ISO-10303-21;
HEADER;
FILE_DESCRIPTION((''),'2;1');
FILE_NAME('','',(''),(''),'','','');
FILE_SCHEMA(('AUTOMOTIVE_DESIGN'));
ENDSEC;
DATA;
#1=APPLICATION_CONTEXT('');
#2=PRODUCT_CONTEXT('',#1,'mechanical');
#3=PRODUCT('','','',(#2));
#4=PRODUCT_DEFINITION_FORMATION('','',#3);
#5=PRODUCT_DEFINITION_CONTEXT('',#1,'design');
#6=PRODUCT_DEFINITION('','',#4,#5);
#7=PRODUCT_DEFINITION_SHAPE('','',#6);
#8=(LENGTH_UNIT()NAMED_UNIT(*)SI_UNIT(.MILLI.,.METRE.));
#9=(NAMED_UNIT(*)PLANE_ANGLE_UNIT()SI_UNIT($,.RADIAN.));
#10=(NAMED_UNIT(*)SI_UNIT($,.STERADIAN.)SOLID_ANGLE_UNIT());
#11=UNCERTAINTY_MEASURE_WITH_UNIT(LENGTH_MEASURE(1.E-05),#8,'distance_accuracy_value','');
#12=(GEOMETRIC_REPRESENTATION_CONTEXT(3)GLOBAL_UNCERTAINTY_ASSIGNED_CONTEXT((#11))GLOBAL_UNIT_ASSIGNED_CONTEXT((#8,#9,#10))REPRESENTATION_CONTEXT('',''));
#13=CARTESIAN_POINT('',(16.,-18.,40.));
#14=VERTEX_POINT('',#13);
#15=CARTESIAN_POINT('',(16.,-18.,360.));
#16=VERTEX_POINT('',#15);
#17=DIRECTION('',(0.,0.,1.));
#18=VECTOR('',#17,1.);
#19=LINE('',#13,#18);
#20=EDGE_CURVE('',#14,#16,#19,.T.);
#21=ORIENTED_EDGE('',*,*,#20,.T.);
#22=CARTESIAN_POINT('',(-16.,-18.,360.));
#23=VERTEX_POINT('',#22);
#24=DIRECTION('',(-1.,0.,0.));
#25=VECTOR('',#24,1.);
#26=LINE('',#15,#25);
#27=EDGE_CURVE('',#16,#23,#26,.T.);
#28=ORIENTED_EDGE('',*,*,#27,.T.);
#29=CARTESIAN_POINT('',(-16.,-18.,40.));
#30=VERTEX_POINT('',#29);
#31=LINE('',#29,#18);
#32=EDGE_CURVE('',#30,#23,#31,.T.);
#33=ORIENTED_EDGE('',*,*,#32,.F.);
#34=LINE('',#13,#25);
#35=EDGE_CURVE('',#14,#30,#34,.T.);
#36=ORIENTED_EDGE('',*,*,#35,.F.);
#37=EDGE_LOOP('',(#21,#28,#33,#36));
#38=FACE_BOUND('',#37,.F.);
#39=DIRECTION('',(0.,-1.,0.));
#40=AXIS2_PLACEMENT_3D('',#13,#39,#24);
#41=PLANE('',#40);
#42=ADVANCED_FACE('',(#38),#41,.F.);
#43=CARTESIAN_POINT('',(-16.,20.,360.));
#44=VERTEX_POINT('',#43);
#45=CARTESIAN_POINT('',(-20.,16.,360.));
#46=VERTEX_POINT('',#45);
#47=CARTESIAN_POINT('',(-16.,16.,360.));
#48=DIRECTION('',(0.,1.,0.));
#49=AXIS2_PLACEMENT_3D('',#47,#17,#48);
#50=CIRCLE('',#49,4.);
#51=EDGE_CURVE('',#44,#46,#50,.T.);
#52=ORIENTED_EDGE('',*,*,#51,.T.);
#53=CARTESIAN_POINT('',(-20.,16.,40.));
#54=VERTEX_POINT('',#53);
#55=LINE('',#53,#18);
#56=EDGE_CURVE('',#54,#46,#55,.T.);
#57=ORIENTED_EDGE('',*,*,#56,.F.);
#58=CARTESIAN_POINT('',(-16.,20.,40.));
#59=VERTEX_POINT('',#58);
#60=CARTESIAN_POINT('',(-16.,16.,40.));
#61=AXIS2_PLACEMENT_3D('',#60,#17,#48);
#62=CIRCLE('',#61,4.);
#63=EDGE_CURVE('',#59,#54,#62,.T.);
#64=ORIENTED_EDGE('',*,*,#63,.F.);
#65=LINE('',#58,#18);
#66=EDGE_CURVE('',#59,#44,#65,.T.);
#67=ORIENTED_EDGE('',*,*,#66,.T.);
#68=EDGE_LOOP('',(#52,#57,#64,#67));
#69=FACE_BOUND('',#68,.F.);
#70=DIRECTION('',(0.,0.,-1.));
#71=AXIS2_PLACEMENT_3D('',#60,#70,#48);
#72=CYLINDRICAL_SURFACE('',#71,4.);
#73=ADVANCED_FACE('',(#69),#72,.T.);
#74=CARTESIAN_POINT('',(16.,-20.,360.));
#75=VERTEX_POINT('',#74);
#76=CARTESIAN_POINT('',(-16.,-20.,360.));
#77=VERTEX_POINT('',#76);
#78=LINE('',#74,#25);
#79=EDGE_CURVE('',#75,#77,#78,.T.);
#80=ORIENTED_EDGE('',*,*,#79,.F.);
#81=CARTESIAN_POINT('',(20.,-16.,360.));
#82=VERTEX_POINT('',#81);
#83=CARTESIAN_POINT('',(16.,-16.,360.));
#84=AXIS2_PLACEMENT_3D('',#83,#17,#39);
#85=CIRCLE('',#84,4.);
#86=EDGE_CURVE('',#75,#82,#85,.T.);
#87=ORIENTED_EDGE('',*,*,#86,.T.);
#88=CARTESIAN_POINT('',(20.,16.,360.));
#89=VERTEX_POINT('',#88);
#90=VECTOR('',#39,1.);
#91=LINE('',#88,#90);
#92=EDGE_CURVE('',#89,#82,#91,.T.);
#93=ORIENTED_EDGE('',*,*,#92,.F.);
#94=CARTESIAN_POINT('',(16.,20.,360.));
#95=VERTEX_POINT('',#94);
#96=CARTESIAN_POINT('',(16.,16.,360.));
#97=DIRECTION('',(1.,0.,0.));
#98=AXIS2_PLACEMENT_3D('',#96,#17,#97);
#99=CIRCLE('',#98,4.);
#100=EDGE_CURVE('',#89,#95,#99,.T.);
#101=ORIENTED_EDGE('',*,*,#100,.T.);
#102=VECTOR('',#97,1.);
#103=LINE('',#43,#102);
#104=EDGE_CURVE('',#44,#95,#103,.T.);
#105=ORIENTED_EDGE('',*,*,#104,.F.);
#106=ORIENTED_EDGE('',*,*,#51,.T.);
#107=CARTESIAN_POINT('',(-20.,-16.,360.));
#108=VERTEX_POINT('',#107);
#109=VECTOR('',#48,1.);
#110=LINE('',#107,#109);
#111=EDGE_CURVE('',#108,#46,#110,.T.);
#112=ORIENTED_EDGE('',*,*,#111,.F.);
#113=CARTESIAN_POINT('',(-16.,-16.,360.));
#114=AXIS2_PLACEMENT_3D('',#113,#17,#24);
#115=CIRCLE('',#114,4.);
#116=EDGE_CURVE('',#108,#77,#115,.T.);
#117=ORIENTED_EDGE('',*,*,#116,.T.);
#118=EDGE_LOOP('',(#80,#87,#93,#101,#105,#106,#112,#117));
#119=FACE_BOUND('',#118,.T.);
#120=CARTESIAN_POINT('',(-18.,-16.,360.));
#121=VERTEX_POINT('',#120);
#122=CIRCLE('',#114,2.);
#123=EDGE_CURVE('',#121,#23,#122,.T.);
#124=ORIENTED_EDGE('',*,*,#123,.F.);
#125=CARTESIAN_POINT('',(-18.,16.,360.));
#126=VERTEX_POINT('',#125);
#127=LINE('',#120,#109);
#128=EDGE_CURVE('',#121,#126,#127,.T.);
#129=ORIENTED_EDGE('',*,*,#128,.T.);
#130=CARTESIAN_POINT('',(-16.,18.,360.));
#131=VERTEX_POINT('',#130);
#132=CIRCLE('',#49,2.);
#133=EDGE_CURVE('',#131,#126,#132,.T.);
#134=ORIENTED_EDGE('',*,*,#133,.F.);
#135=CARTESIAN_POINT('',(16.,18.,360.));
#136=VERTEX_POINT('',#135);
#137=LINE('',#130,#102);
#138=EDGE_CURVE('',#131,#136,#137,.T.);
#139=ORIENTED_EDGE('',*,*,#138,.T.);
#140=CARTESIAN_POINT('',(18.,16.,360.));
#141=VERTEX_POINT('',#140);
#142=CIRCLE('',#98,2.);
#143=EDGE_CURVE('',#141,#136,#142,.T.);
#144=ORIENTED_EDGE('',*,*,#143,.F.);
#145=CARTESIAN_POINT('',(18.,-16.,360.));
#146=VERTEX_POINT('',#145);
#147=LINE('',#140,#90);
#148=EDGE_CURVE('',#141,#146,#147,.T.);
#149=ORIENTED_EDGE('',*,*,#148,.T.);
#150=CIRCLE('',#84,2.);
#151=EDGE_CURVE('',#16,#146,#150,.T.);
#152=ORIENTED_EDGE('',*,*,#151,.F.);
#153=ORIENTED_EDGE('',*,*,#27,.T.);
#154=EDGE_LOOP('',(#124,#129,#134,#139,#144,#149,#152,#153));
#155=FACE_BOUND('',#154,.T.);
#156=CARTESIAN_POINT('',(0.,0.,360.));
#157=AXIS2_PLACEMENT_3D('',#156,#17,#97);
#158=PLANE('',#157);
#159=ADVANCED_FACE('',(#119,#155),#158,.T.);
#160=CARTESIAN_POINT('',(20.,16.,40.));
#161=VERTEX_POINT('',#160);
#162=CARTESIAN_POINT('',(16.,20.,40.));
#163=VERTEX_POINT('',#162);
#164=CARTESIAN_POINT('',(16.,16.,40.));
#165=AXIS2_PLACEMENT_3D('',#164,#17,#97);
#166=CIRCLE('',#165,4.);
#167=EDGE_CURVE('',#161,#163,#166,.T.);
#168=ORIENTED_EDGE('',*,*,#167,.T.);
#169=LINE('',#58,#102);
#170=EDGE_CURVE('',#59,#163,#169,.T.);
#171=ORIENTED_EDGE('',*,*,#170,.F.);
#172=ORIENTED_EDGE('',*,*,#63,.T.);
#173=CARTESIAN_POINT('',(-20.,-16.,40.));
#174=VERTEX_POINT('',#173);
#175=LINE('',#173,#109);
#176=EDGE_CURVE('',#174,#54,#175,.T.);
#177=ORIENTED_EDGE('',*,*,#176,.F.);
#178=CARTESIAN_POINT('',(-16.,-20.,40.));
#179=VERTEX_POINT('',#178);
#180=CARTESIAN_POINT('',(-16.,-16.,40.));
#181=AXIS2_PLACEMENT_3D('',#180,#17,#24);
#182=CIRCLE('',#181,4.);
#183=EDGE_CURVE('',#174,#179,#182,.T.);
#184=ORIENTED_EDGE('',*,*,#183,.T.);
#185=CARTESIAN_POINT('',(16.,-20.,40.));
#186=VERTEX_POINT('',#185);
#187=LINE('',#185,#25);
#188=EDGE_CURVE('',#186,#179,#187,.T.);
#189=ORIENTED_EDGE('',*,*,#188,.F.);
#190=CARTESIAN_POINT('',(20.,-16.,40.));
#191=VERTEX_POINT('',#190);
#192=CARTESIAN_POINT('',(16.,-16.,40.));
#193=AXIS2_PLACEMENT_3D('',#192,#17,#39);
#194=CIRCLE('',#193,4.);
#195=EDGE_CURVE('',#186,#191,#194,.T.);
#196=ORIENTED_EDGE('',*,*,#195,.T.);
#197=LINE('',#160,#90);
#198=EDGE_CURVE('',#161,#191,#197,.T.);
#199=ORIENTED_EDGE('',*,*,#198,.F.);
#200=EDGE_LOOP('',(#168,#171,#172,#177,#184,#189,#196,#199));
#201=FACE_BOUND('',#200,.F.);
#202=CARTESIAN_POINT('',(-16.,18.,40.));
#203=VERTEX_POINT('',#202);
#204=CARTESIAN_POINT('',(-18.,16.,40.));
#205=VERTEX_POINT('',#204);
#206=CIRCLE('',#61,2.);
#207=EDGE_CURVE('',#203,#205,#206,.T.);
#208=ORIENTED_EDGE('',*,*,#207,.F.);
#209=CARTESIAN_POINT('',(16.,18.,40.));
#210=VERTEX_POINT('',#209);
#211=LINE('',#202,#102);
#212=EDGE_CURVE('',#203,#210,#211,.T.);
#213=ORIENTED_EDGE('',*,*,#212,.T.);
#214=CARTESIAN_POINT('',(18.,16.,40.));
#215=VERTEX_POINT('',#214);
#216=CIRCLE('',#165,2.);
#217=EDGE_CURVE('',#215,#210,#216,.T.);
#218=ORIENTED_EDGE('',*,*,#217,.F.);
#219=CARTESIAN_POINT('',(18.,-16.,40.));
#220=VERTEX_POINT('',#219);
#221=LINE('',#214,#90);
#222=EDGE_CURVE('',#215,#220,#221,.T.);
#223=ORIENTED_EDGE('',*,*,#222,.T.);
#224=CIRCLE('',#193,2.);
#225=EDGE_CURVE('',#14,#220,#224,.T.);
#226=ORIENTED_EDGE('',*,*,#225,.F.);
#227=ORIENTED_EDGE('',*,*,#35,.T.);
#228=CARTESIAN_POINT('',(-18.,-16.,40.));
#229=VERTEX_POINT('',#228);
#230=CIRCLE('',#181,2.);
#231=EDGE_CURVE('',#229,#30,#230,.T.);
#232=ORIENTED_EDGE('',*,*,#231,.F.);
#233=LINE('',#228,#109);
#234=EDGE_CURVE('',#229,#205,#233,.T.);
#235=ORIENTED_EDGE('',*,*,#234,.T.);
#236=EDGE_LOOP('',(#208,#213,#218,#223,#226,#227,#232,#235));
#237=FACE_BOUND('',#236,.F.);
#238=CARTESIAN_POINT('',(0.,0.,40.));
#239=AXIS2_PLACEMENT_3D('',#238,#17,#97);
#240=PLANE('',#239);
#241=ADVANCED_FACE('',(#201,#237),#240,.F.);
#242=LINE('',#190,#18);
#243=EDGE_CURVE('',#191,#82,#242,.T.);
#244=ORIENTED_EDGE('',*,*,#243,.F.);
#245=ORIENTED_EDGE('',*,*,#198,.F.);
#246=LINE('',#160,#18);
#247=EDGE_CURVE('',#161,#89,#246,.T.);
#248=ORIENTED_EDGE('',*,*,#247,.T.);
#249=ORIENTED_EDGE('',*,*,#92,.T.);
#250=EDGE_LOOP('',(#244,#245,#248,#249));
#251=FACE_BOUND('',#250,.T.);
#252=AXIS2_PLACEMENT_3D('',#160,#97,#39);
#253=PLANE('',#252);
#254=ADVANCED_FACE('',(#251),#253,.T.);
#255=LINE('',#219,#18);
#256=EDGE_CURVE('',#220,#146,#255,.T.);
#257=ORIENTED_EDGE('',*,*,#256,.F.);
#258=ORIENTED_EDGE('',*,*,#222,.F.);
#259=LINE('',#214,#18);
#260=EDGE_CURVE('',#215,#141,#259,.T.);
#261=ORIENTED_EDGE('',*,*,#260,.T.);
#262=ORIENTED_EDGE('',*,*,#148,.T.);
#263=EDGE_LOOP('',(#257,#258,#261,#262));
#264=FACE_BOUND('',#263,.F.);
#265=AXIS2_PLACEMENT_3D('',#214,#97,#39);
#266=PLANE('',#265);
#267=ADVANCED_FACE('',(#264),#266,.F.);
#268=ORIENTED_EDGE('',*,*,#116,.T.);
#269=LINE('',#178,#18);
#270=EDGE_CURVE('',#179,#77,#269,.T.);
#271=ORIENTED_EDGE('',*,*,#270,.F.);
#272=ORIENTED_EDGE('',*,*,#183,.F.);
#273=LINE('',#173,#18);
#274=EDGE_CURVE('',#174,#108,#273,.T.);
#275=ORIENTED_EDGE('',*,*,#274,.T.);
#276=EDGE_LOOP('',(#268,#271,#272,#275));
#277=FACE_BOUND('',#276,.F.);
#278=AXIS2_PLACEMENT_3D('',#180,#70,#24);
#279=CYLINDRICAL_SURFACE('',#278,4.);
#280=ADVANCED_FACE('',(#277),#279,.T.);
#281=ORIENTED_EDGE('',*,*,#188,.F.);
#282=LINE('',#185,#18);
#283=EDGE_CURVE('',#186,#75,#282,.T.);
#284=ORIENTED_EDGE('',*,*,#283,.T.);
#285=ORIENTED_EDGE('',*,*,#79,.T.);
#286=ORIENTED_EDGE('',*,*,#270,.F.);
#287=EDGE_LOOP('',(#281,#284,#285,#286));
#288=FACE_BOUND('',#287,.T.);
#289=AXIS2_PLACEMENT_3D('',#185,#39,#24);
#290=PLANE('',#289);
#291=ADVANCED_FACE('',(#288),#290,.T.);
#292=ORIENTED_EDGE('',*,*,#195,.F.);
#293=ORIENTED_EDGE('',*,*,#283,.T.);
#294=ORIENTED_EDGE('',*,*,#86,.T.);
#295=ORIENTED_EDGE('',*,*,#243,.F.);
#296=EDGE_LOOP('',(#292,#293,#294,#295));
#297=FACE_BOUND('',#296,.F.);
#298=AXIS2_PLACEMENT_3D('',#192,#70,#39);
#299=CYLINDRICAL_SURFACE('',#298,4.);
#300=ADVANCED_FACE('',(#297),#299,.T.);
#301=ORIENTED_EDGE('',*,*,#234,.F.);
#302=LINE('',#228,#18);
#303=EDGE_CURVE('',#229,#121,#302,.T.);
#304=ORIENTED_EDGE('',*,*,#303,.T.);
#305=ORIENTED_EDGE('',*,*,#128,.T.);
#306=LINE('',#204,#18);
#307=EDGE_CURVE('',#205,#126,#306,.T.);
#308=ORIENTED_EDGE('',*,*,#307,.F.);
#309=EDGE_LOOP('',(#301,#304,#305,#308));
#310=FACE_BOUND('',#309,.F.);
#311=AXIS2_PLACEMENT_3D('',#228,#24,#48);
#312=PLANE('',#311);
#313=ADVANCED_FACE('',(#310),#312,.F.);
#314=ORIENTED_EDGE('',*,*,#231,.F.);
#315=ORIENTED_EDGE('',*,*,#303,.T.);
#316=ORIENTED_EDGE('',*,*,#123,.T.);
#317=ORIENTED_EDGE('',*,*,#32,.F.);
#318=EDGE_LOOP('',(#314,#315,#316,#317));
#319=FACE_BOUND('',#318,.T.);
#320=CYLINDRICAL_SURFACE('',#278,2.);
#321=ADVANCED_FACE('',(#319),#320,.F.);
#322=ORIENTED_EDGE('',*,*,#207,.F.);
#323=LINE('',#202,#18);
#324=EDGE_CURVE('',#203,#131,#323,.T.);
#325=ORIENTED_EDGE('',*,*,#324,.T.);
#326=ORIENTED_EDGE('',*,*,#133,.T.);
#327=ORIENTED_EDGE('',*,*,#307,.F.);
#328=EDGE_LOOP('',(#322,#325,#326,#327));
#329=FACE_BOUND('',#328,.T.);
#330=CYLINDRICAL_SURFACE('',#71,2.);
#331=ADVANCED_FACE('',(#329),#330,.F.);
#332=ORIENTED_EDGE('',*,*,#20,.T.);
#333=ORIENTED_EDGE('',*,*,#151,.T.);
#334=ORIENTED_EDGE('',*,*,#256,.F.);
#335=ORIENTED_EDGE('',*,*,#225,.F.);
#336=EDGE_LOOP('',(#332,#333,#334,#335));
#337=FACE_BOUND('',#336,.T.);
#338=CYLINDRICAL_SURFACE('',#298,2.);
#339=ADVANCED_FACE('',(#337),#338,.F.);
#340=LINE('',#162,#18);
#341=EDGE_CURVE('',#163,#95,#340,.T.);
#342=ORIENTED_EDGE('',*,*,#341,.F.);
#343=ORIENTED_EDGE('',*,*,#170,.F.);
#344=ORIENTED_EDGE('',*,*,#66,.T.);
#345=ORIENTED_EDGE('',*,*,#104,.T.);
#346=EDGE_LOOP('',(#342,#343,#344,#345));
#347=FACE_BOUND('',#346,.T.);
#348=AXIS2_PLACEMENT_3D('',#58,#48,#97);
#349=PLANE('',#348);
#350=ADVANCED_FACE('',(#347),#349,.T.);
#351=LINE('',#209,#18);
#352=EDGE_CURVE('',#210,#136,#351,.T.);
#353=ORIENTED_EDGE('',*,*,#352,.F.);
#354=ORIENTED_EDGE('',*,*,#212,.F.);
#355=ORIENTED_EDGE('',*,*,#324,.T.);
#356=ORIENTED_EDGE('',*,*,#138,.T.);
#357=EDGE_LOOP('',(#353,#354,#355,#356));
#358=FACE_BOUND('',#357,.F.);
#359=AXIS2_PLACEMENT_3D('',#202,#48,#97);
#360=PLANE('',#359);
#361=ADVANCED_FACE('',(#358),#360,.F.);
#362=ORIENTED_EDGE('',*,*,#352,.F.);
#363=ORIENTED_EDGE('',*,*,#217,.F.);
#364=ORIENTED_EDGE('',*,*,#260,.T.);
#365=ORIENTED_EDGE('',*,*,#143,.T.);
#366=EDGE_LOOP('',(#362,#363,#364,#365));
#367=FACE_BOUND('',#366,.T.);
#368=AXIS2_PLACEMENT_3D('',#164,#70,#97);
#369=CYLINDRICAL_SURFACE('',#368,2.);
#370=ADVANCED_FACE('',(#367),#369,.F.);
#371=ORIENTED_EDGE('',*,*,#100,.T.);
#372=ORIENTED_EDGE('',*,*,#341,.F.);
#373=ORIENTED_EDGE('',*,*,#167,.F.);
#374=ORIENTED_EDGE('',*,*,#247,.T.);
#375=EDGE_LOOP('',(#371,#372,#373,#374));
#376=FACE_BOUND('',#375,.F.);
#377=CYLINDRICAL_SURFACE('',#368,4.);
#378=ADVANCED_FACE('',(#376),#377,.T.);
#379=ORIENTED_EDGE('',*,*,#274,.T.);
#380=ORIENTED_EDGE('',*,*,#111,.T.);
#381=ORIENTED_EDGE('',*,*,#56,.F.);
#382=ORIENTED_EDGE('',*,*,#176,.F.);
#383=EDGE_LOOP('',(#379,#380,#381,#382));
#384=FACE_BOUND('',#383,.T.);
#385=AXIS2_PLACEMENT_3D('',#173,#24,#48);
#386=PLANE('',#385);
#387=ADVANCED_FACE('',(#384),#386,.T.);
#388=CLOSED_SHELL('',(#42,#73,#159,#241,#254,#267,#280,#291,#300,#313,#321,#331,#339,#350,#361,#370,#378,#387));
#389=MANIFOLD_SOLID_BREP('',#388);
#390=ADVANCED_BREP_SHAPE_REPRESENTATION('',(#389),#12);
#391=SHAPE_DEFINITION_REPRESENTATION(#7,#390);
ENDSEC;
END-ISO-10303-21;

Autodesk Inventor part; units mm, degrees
ref_plane "YZ Plane" through (0, 0, 0) normal (1, 0, 0) x (0, 1, 0)
ref_plane "Start Plane" through (0, 0, 40) normal (0, 0, 1) x (1, 0, 0)
ref_plane "End Plane" through (0, 0, 360) normal (0, 0, 1) x (1, 0, 0)
sketch "Sketch" plane through (0, 0, 0) normal (0, 0, 1) x (1, 0, 0)
  line L0 (-20, -16) -> (-20, 16)
  line L1 (-16, 20) -> (16, 20)
  line L2 (20, 16) -> (20, -16)
  line L3 (16, -20) -> (-16, -20)
  arc A0 (-20, -16) -> (-16, -20) centre (-16, -16) ccw
  arc A1 (20, 16) -> (16, 20) centre (16, 16) ccw
  arc A2 (-16, 20) -> (-20, 16) centre (-16, 16) ccw
  arc A3 (16, -20) -> (20, -16) centre (16, -16) ccw
  arc A4 (-16, 18) -> (-18, 16) centre (-16, 16) ccw
  line L4 (-16, 18) -> (16, 18)
  arc A5 (18, 16) -> (16, 18) centre (16, 16) ccw
  line L5 (18, 16) -> (18, -16)
  arc A6 (16, -18) -> (18, -16) centre (16, -16) ccw
  line L6 (16, -18) -> (-16, -18)
  arc A7 (-18, -16) -> (-16, -18) centre (-16, -16) ccw
  line L7 (-18, -16) -> (-18, 16)
  line L8 (0, 29.1598) -> (0, -29.1598) construction
  line L9 (-29.1598, 0) -> (29.1598, 0) construction
  dimension "d7" = 4
  dimension "d9" = 40
  dimension "d11" = 40
  dimension "d12" = 2
  dimension "d15" = 20
  dimension "d16" = 20
extrude "Body" add sketch "Sketch" along normal up to surface (320 mm away) from surface at 40
sketch "Sketch3" plane through (0, 0, 0) normal (0, 0, 1) x (1, 0, 0)
  line L0 (0, 0) -> (10, 0)
ref_plane "Work Plane3" through (0, 0, 0) normal (0, -1, 0) x (1, 0, 0)
sketch "Sketch4" plane through (0, 0, 0) normal (0, -1, 0) x (1, 0, 0)
  line L0 (-2, 40) -> (12, 40) projected
  line L1 (-2, 360) -> (12, 360) projected
  dimension "d18" = 320
equation "\"d7\" = G_IR"
equation "\"d9\" = G_W"
equation "\"d11\" = G_H"
equation "\"d12\" = G_T"
equation "\"d15\" = 0.5 * d9"
equation "\"d16\" = 0.5 * d11"
equation "\"d3\" = G_L"
equation "\"G_W\" = 40"
equation "\"G_H\" = 40"
equation "\"G_T\" = 2"
equation "\"G_IR\" = 4"
equation "\"G_L\" = d18"
properties part number "ISO 10799-2 - 40x40x2 - 320" material "Stainless Steel"
